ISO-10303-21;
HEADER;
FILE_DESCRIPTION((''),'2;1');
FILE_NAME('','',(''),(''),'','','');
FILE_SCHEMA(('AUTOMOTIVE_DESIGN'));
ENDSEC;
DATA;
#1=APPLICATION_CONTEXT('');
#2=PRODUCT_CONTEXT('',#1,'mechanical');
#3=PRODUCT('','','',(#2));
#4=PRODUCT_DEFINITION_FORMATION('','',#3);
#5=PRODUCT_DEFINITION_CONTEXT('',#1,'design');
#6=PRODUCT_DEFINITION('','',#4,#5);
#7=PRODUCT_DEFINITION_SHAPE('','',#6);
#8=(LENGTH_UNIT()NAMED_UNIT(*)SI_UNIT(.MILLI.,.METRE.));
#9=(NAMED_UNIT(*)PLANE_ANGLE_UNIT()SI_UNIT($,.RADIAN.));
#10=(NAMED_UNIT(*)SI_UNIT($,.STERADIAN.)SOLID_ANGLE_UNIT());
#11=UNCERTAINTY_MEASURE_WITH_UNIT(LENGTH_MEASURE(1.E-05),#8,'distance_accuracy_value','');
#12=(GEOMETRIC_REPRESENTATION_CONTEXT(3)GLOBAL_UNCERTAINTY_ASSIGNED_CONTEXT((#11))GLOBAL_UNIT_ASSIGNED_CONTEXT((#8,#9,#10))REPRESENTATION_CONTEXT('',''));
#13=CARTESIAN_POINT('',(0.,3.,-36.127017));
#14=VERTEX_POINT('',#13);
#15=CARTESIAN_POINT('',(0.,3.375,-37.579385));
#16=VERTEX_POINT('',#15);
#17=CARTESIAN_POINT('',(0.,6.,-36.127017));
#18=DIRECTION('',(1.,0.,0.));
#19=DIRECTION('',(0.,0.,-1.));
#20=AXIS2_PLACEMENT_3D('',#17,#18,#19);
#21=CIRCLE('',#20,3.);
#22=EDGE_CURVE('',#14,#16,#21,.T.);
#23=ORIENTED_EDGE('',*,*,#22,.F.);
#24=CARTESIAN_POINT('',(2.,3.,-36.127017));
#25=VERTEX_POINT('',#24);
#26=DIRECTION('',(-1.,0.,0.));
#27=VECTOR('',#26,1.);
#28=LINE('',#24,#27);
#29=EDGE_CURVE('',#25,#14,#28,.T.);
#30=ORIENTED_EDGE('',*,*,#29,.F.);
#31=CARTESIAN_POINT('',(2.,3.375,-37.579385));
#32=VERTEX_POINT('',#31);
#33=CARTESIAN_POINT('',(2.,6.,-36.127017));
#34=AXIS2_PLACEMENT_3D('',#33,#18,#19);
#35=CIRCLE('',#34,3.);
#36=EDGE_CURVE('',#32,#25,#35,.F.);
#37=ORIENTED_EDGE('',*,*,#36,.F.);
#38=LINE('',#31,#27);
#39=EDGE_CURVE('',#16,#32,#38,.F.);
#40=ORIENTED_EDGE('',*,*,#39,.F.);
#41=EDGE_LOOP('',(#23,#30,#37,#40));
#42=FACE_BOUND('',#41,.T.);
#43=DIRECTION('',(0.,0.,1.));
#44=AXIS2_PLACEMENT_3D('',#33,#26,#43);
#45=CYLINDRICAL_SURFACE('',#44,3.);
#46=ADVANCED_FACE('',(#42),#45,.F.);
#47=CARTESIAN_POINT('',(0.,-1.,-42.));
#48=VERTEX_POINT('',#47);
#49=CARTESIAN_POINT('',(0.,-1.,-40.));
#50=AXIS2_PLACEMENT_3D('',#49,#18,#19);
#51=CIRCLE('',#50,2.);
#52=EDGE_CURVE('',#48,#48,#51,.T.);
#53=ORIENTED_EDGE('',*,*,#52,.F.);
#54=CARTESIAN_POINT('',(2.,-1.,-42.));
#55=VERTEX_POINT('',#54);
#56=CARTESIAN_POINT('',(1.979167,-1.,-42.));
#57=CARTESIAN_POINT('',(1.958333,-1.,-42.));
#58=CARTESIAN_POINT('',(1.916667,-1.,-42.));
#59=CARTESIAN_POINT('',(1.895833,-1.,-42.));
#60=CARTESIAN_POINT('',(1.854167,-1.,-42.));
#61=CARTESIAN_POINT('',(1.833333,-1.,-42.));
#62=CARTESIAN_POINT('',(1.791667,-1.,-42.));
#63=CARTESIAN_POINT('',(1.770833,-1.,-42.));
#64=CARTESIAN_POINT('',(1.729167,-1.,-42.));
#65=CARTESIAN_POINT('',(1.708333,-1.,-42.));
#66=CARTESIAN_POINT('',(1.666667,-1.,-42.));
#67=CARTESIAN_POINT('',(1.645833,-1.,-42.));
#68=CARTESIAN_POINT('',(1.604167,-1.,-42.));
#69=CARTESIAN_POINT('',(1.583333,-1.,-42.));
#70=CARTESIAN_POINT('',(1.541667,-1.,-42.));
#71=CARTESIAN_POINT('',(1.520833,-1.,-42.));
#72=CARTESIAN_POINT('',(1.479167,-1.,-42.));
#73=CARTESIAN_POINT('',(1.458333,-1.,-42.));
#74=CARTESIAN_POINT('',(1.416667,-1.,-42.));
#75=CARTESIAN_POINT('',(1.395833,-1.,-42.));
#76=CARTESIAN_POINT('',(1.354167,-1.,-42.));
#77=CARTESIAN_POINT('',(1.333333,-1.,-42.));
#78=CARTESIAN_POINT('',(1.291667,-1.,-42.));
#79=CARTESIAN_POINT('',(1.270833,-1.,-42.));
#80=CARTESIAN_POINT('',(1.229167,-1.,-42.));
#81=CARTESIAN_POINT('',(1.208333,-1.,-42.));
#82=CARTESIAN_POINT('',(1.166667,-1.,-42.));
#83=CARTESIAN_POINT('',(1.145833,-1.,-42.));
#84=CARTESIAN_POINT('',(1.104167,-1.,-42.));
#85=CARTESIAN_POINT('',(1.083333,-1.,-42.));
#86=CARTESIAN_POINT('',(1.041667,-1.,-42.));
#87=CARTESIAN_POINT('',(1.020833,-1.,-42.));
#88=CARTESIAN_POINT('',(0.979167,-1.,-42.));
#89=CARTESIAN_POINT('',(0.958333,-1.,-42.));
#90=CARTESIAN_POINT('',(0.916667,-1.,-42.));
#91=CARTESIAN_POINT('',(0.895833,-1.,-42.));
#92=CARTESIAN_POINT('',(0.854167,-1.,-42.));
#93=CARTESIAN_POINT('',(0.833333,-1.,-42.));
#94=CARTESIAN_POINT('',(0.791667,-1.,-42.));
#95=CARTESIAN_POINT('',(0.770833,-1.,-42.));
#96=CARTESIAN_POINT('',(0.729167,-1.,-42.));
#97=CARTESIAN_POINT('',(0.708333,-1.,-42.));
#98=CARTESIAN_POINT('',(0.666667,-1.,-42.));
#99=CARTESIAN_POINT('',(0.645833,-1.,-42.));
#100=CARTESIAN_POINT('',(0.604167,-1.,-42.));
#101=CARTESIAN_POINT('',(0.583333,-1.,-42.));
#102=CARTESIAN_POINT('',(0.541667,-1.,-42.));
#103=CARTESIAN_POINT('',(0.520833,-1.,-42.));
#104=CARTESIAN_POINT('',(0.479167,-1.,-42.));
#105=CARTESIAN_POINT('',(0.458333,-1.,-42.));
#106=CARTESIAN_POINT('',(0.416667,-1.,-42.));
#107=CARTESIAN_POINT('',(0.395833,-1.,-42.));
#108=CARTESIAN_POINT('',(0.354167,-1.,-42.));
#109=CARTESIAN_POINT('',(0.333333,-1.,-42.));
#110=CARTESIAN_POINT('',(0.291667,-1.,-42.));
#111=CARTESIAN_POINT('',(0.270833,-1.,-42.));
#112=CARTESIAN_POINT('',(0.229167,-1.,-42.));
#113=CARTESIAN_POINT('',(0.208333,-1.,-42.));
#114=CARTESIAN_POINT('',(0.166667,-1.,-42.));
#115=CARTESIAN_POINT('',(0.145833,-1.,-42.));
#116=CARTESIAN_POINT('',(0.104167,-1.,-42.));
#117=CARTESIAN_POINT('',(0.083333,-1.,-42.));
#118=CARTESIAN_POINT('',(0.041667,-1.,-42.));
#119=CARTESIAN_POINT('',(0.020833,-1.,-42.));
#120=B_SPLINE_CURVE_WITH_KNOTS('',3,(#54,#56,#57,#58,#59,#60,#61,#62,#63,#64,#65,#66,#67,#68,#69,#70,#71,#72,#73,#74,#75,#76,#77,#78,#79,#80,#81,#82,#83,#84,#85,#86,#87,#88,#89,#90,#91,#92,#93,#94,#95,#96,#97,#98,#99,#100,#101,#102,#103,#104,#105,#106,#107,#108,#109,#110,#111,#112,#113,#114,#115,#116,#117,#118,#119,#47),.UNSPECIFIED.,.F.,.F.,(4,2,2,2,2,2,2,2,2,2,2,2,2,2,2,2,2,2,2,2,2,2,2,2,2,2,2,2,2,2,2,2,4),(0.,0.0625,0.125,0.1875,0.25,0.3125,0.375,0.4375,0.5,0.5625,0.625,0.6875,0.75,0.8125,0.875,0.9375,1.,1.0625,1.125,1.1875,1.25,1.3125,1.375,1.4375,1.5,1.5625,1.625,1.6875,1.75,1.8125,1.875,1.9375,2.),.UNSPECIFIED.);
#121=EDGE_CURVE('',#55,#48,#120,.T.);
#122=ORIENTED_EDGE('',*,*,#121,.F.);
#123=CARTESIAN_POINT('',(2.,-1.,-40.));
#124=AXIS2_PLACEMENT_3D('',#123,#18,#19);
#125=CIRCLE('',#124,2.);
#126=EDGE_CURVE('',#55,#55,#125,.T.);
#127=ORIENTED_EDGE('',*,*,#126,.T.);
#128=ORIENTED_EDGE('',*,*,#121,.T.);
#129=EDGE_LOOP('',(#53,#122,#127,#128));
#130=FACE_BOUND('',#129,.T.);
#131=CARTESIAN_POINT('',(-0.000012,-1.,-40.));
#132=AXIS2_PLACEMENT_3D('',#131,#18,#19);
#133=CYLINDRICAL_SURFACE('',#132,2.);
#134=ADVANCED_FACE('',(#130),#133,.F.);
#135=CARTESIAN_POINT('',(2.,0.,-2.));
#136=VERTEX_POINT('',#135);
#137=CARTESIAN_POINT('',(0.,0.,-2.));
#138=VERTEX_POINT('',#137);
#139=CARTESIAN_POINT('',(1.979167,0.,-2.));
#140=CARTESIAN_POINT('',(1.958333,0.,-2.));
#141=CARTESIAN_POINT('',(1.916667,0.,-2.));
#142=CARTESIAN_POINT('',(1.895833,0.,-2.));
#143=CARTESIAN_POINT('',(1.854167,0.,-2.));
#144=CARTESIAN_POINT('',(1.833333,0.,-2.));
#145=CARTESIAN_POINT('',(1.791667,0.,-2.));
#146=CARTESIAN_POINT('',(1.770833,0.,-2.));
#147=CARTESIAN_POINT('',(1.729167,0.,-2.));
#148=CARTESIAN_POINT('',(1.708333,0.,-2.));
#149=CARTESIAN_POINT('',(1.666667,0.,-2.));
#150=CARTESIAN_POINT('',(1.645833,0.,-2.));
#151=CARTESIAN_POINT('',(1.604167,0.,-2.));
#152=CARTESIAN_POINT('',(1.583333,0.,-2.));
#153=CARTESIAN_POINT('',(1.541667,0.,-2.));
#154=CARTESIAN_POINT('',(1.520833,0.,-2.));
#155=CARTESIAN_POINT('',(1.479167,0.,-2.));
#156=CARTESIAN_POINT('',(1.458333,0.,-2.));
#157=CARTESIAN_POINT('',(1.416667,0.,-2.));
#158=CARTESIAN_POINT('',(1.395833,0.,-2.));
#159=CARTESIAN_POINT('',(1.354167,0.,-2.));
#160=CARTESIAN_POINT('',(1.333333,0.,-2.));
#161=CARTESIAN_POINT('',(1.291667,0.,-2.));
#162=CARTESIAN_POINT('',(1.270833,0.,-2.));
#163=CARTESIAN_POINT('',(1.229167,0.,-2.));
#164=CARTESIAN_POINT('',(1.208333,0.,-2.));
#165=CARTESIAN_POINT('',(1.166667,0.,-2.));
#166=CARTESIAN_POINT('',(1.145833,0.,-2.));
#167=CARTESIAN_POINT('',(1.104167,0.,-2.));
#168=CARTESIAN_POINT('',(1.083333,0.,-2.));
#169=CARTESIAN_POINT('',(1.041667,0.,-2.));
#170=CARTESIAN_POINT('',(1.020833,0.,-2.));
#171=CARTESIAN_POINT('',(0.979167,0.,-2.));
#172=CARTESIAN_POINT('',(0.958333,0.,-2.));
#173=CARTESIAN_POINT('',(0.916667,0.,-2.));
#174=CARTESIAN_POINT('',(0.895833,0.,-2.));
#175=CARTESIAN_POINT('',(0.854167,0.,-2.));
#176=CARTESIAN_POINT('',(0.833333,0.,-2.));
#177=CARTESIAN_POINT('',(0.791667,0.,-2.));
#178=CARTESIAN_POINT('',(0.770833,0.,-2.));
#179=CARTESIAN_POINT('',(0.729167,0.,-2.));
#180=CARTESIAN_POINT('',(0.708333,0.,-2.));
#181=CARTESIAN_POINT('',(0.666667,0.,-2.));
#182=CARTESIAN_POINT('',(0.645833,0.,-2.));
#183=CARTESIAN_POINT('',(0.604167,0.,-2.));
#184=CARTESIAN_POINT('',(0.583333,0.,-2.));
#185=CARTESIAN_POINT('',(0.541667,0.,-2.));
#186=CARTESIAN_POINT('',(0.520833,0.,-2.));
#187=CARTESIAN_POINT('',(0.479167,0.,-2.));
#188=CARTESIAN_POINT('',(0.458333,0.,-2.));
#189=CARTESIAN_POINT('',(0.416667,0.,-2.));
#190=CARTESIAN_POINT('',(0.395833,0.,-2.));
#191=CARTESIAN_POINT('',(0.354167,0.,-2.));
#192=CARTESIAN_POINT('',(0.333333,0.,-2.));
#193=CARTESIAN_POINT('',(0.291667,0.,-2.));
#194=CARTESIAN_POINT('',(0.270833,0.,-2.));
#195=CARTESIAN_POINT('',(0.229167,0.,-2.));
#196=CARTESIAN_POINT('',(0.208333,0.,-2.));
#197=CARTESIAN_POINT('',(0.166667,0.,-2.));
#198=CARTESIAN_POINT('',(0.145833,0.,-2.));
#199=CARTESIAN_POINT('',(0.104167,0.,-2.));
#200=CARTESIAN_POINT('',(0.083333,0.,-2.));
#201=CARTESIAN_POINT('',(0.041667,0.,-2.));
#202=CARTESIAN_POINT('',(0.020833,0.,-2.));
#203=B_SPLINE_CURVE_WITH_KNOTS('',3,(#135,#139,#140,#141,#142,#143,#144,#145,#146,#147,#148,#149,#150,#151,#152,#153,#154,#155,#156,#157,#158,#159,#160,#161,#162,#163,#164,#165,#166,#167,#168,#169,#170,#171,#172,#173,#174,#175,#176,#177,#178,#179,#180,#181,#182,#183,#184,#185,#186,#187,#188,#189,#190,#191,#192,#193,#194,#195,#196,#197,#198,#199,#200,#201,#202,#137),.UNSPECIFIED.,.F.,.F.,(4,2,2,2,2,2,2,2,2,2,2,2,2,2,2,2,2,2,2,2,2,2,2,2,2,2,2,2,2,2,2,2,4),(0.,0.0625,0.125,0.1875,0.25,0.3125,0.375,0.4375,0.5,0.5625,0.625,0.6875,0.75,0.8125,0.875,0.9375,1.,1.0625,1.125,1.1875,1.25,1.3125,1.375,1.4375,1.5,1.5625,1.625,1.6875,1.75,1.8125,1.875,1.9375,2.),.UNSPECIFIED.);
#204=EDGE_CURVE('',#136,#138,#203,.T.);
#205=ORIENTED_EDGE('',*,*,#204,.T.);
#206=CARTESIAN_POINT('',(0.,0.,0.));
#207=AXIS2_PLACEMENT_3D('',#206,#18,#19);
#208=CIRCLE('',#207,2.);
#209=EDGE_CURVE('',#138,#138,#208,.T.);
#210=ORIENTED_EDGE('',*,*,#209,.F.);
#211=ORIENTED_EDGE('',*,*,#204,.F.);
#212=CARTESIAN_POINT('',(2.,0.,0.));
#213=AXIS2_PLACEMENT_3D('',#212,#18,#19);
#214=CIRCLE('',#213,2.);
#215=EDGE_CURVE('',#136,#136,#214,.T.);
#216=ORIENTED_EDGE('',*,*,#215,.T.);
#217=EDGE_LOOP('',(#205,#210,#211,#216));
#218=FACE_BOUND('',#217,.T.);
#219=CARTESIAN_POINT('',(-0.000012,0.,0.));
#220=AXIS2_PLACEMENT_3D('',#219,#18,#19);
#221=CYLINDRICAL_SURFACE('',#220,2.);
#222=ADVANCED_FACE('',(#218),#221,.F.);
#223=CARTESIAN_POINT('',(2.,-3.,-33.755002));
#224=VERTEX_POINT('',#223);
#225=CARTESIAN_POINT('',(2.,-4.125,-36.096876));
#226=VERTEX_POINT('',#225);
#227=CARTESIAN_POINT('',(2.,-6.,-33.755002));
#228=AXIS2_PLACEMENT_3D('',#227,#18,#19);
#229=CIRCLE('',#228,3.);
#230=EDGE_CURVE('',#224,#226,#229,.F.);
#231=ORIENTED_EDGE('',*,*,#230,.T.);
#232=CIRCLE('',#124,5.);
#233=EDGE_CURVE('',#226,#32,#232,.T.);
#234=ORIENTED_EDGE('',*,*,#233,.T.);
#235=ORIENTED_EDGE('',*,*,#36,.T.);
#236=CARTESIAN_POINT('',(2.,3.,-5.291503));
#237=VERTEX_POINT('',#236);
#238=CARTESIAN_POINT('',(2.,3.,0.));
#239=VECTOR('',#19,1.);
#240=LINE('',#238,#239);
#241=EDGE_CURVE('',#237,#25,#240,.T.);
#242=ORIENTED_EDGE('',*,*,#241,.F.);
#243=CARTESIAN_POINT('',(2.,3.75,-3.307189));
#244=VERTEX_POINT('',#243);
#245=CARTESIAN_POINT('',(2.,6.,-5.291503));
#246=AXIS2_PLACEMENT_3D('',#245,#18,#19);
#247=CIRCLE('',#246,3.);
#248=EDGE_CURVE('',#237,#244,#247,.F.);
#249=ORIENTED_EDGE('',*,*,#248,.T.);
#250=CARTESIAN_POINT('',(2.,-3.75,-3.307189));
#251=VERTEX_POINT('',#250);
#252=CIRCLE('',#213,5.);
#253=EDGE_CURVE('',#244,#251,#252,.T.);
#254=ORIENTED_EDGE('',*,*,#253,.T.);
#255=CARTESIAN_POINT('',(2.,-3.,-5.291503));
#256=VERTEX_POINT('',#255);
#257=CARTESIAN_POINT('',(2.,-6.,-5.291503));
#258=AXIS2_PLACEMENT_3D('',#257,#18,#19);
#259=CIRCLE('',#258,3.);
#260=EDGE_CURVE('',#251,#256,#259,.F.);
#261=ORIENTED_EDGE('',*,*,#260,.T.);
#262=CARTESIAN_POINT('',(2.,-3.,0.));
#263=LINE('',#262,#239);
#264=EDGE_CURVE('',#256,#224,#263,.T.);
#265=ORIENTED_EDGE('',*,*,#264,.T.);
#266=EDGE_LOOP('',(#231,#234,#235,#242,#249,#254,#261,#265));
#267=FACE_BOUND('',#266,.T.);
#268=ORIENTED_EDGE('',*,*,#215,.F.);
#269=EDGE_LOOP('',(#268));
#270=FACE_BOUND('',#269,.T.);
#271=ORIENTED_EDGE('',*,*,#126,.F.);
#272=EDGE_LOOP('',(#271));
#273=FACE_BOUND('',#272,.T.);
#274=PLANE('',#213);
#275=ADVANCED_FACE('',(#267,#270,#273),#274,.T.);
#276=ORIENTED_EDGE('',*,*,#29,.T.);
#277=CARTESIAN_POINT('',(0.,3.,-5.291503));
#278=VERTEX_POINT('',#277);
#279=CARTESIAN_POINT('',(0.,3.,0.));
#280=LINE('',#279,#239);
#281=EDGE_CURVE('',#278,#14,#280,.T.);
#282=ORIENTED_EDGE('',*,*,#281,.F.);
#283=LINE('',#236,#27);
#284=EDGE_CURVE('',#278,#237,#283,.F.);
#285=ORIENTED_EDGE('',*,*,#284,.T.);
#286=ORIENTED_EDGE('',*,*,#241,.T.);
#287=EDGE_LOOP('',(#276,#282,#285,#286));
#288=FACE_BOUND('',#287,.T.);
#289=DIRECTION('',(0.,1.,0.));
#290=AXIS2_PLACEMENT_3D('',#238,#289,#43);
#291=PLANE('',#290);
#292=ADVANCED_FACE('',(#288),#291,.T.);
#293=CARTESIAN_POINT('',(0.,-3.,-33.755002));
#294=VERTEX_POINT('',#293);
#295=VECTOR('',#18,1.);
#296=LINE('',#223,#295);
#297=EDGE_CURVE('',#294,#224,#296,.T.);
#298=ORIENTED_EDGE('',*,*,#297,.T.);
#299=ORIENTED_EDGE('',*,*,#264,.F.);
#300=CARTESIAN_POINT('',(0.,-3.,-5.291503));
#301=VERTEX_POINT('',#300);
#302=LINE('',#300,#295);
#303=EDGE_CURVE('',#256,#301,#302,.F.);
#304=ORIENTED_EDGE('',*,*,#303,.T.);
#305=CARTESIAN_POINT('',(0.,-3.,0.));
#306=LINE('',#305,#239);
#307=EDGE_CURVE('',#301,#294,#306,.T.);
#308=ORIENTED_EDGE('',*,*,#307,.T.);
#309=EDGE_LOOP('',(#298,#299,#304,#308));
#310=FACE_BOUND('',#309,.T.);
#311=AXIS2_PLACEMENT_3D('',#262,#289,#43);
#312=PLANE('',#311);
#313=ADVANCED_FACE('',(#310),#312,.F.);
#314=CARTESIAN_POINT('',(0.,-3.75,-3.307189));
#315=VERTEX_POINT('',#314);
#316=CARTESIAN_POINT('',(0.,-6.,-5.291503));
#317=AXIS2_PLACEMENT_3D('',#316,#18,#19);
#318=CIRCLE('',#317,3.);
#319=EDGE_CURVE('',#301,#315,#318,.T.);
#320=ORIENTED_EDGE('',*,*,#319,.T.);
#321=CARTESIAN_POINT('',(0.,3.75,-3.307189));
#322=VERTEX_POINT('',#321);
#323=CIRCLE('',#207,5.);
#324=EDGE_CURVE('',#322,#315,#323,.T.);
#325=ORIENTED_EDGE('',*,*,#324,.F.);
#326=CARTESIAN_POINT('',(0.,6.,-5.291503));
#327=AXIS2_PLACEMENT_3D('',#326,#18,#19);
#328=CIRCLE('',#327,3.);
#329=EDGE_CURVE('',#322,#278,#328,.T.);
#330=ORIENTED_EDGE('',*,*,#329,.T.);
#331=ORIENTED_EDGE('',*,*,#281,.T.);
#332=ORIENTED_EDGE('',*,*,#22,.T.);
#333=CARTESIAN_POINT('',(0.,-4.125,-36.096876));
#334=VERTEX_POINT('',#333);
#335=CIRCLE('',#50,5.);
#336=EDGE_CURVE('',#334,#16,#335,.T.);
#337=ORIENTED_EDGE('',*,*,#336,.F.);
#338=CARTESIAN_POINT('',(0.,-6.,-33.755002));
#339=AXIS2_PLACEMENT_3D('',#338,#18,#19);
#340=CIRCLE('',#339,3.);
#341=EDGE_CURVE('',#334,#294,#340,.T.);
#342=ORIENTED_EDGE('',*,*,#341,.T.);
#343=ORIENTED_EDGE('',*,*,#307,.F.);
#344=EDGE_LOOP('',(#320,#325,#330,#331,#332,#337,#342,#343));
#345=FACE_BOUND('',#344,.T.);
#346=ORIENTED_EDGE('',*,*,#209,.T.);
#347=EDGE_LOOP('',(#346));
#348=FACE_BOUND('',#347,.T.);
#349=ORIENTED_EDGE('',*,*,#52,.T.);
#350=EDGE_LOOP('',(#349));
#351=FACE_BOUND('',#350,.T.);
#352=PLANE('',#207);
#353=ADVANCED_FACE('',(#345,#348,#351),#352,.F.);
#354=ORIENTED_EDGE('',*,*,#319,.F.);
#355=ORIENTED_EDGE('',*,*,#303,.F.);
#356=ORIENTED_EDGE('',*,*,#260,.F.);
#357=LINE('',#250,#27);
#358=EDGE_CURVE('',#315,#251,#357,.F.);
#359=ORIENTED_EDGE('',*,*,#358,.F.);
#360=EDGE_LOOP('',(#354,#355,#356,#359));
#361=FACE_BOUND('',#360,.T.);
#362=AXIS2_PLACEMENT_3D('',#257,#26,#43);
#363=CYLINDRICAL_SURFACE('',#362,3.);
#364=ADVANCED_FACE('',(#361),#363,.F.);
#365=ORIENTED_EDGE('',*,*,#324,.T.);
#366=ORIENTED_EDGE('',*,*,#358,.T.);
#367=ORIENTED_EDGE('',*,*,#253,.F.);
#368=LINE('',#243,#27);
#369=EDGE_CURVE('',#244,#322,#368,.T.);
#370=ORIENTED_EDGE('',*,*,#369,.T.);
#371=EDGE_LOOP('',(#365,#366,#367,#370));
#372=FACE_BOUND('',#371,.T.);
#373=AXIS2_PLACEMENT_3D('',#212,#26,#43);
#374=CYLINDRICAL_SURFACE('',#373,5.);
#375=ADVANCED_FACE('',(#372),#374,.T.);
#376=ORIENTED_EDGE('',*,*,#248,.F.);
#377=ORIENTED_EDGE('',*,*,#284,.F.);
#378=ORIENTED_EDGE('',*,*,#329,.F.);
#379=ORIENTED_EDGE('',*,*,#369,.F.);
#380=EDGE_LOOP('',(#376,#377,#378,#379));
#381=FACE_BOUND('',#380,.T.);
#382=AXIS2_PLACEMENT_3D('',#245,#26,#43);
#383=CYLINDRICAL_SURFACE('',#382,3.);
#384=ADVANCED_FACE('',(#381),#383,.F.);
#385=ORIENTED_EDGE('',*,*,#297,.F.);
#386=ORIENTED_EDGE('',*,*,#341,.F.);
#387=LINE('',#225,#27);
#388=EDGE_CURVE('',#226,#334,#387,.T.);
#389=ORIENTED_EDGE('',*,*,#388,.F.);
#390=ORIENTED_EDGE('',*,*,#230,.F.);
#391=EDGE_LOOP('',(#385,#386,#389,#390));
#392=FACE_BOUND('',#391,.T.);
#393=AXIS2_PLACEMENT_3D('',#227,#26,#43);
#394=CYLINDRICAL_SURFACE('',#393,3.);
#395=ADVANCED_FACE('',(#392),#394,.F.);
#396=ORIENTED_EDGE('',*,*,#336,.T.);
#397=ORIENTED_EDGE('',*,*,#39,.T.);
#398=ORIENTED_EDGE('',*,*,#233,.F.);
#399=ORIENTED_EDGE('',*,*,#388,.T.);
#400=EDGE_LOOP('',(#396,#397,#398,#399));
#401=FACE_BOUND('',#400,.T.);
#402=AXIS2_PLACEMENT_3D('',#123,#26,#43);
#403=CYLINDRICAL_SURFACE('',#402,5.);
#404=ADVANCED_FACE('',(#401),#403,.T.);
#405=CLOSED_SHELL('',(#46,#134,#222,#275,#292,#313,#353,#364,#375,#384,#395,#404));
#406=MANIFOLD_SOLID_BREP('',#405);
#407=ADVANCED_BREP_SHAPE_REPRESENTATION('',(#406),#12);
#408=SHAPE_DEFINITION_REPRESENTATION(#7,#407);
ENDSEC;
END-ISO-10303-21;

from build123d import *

# Parameters (mm, degrees)
SKETCH_1_R               = 5
SKETCH_1_W               = 40
SKETCH_1_H               = 6
EXTRUDE_1_DEPTH          = 2
CUT_EXTRUDE_2_DEPTH      = 46.44227107
CUT_EXTRUDE_2_DEPTH_BACK = 46.44227107
SKETCH_1_3_R             = 2
FILLET_1_R               = 3


with BuildPart() as part:
    # 草图1 → 凸台-拉伸1 (new body)
    with BuildSketch(Plane(origin=(0, 0, 0), x_dir=(0, 0, -1), z_dir=(1, 0, 0))):
        Circle(SKETCH_1_R)
        with Locations((40, -1)):
            Circle(SKETCH_1_R)
        with Locations((20, 0)):
            Rectangle(SKETCH_1_W, SKETCH_1_H)
    extrude(amount=EXTRUDE_1_DEPTH)

    # 草图1<3> → 切除-拉伸2 (cut, two sides: drawn at the far end of the back side and taken through both)
    with BuildSketch(Plane(origin=(0, 0, 0), x_dir=(0, 0, -1), z_dir=(1, 0, 0)).offset(-CUT_EXTRUDE_2_DEPTH_BACK)):
        Circle(SKETCH_1_3_R)
        with Locations((40, -1)):
            Circle(SKETCH_1_3_R)
    extrude(amount=CUT_EXTRUDE_2_DEPTH + CUT_EXTRUDE_2_DEPTH_BACK, mode=Mode.SUBTRACT)

    # 圆角1
    fillet_1_edges = [part.edges().sort_by_distance(p)[0] for p in [
        (1, -3, -35.417424305),
        (1, 3, -37),
        (1, 3, -4),
        (1, -3, -4),
    ]]
    fillet(fillet_1_edges, radius=FILLET_1_R)


solid = part.part
